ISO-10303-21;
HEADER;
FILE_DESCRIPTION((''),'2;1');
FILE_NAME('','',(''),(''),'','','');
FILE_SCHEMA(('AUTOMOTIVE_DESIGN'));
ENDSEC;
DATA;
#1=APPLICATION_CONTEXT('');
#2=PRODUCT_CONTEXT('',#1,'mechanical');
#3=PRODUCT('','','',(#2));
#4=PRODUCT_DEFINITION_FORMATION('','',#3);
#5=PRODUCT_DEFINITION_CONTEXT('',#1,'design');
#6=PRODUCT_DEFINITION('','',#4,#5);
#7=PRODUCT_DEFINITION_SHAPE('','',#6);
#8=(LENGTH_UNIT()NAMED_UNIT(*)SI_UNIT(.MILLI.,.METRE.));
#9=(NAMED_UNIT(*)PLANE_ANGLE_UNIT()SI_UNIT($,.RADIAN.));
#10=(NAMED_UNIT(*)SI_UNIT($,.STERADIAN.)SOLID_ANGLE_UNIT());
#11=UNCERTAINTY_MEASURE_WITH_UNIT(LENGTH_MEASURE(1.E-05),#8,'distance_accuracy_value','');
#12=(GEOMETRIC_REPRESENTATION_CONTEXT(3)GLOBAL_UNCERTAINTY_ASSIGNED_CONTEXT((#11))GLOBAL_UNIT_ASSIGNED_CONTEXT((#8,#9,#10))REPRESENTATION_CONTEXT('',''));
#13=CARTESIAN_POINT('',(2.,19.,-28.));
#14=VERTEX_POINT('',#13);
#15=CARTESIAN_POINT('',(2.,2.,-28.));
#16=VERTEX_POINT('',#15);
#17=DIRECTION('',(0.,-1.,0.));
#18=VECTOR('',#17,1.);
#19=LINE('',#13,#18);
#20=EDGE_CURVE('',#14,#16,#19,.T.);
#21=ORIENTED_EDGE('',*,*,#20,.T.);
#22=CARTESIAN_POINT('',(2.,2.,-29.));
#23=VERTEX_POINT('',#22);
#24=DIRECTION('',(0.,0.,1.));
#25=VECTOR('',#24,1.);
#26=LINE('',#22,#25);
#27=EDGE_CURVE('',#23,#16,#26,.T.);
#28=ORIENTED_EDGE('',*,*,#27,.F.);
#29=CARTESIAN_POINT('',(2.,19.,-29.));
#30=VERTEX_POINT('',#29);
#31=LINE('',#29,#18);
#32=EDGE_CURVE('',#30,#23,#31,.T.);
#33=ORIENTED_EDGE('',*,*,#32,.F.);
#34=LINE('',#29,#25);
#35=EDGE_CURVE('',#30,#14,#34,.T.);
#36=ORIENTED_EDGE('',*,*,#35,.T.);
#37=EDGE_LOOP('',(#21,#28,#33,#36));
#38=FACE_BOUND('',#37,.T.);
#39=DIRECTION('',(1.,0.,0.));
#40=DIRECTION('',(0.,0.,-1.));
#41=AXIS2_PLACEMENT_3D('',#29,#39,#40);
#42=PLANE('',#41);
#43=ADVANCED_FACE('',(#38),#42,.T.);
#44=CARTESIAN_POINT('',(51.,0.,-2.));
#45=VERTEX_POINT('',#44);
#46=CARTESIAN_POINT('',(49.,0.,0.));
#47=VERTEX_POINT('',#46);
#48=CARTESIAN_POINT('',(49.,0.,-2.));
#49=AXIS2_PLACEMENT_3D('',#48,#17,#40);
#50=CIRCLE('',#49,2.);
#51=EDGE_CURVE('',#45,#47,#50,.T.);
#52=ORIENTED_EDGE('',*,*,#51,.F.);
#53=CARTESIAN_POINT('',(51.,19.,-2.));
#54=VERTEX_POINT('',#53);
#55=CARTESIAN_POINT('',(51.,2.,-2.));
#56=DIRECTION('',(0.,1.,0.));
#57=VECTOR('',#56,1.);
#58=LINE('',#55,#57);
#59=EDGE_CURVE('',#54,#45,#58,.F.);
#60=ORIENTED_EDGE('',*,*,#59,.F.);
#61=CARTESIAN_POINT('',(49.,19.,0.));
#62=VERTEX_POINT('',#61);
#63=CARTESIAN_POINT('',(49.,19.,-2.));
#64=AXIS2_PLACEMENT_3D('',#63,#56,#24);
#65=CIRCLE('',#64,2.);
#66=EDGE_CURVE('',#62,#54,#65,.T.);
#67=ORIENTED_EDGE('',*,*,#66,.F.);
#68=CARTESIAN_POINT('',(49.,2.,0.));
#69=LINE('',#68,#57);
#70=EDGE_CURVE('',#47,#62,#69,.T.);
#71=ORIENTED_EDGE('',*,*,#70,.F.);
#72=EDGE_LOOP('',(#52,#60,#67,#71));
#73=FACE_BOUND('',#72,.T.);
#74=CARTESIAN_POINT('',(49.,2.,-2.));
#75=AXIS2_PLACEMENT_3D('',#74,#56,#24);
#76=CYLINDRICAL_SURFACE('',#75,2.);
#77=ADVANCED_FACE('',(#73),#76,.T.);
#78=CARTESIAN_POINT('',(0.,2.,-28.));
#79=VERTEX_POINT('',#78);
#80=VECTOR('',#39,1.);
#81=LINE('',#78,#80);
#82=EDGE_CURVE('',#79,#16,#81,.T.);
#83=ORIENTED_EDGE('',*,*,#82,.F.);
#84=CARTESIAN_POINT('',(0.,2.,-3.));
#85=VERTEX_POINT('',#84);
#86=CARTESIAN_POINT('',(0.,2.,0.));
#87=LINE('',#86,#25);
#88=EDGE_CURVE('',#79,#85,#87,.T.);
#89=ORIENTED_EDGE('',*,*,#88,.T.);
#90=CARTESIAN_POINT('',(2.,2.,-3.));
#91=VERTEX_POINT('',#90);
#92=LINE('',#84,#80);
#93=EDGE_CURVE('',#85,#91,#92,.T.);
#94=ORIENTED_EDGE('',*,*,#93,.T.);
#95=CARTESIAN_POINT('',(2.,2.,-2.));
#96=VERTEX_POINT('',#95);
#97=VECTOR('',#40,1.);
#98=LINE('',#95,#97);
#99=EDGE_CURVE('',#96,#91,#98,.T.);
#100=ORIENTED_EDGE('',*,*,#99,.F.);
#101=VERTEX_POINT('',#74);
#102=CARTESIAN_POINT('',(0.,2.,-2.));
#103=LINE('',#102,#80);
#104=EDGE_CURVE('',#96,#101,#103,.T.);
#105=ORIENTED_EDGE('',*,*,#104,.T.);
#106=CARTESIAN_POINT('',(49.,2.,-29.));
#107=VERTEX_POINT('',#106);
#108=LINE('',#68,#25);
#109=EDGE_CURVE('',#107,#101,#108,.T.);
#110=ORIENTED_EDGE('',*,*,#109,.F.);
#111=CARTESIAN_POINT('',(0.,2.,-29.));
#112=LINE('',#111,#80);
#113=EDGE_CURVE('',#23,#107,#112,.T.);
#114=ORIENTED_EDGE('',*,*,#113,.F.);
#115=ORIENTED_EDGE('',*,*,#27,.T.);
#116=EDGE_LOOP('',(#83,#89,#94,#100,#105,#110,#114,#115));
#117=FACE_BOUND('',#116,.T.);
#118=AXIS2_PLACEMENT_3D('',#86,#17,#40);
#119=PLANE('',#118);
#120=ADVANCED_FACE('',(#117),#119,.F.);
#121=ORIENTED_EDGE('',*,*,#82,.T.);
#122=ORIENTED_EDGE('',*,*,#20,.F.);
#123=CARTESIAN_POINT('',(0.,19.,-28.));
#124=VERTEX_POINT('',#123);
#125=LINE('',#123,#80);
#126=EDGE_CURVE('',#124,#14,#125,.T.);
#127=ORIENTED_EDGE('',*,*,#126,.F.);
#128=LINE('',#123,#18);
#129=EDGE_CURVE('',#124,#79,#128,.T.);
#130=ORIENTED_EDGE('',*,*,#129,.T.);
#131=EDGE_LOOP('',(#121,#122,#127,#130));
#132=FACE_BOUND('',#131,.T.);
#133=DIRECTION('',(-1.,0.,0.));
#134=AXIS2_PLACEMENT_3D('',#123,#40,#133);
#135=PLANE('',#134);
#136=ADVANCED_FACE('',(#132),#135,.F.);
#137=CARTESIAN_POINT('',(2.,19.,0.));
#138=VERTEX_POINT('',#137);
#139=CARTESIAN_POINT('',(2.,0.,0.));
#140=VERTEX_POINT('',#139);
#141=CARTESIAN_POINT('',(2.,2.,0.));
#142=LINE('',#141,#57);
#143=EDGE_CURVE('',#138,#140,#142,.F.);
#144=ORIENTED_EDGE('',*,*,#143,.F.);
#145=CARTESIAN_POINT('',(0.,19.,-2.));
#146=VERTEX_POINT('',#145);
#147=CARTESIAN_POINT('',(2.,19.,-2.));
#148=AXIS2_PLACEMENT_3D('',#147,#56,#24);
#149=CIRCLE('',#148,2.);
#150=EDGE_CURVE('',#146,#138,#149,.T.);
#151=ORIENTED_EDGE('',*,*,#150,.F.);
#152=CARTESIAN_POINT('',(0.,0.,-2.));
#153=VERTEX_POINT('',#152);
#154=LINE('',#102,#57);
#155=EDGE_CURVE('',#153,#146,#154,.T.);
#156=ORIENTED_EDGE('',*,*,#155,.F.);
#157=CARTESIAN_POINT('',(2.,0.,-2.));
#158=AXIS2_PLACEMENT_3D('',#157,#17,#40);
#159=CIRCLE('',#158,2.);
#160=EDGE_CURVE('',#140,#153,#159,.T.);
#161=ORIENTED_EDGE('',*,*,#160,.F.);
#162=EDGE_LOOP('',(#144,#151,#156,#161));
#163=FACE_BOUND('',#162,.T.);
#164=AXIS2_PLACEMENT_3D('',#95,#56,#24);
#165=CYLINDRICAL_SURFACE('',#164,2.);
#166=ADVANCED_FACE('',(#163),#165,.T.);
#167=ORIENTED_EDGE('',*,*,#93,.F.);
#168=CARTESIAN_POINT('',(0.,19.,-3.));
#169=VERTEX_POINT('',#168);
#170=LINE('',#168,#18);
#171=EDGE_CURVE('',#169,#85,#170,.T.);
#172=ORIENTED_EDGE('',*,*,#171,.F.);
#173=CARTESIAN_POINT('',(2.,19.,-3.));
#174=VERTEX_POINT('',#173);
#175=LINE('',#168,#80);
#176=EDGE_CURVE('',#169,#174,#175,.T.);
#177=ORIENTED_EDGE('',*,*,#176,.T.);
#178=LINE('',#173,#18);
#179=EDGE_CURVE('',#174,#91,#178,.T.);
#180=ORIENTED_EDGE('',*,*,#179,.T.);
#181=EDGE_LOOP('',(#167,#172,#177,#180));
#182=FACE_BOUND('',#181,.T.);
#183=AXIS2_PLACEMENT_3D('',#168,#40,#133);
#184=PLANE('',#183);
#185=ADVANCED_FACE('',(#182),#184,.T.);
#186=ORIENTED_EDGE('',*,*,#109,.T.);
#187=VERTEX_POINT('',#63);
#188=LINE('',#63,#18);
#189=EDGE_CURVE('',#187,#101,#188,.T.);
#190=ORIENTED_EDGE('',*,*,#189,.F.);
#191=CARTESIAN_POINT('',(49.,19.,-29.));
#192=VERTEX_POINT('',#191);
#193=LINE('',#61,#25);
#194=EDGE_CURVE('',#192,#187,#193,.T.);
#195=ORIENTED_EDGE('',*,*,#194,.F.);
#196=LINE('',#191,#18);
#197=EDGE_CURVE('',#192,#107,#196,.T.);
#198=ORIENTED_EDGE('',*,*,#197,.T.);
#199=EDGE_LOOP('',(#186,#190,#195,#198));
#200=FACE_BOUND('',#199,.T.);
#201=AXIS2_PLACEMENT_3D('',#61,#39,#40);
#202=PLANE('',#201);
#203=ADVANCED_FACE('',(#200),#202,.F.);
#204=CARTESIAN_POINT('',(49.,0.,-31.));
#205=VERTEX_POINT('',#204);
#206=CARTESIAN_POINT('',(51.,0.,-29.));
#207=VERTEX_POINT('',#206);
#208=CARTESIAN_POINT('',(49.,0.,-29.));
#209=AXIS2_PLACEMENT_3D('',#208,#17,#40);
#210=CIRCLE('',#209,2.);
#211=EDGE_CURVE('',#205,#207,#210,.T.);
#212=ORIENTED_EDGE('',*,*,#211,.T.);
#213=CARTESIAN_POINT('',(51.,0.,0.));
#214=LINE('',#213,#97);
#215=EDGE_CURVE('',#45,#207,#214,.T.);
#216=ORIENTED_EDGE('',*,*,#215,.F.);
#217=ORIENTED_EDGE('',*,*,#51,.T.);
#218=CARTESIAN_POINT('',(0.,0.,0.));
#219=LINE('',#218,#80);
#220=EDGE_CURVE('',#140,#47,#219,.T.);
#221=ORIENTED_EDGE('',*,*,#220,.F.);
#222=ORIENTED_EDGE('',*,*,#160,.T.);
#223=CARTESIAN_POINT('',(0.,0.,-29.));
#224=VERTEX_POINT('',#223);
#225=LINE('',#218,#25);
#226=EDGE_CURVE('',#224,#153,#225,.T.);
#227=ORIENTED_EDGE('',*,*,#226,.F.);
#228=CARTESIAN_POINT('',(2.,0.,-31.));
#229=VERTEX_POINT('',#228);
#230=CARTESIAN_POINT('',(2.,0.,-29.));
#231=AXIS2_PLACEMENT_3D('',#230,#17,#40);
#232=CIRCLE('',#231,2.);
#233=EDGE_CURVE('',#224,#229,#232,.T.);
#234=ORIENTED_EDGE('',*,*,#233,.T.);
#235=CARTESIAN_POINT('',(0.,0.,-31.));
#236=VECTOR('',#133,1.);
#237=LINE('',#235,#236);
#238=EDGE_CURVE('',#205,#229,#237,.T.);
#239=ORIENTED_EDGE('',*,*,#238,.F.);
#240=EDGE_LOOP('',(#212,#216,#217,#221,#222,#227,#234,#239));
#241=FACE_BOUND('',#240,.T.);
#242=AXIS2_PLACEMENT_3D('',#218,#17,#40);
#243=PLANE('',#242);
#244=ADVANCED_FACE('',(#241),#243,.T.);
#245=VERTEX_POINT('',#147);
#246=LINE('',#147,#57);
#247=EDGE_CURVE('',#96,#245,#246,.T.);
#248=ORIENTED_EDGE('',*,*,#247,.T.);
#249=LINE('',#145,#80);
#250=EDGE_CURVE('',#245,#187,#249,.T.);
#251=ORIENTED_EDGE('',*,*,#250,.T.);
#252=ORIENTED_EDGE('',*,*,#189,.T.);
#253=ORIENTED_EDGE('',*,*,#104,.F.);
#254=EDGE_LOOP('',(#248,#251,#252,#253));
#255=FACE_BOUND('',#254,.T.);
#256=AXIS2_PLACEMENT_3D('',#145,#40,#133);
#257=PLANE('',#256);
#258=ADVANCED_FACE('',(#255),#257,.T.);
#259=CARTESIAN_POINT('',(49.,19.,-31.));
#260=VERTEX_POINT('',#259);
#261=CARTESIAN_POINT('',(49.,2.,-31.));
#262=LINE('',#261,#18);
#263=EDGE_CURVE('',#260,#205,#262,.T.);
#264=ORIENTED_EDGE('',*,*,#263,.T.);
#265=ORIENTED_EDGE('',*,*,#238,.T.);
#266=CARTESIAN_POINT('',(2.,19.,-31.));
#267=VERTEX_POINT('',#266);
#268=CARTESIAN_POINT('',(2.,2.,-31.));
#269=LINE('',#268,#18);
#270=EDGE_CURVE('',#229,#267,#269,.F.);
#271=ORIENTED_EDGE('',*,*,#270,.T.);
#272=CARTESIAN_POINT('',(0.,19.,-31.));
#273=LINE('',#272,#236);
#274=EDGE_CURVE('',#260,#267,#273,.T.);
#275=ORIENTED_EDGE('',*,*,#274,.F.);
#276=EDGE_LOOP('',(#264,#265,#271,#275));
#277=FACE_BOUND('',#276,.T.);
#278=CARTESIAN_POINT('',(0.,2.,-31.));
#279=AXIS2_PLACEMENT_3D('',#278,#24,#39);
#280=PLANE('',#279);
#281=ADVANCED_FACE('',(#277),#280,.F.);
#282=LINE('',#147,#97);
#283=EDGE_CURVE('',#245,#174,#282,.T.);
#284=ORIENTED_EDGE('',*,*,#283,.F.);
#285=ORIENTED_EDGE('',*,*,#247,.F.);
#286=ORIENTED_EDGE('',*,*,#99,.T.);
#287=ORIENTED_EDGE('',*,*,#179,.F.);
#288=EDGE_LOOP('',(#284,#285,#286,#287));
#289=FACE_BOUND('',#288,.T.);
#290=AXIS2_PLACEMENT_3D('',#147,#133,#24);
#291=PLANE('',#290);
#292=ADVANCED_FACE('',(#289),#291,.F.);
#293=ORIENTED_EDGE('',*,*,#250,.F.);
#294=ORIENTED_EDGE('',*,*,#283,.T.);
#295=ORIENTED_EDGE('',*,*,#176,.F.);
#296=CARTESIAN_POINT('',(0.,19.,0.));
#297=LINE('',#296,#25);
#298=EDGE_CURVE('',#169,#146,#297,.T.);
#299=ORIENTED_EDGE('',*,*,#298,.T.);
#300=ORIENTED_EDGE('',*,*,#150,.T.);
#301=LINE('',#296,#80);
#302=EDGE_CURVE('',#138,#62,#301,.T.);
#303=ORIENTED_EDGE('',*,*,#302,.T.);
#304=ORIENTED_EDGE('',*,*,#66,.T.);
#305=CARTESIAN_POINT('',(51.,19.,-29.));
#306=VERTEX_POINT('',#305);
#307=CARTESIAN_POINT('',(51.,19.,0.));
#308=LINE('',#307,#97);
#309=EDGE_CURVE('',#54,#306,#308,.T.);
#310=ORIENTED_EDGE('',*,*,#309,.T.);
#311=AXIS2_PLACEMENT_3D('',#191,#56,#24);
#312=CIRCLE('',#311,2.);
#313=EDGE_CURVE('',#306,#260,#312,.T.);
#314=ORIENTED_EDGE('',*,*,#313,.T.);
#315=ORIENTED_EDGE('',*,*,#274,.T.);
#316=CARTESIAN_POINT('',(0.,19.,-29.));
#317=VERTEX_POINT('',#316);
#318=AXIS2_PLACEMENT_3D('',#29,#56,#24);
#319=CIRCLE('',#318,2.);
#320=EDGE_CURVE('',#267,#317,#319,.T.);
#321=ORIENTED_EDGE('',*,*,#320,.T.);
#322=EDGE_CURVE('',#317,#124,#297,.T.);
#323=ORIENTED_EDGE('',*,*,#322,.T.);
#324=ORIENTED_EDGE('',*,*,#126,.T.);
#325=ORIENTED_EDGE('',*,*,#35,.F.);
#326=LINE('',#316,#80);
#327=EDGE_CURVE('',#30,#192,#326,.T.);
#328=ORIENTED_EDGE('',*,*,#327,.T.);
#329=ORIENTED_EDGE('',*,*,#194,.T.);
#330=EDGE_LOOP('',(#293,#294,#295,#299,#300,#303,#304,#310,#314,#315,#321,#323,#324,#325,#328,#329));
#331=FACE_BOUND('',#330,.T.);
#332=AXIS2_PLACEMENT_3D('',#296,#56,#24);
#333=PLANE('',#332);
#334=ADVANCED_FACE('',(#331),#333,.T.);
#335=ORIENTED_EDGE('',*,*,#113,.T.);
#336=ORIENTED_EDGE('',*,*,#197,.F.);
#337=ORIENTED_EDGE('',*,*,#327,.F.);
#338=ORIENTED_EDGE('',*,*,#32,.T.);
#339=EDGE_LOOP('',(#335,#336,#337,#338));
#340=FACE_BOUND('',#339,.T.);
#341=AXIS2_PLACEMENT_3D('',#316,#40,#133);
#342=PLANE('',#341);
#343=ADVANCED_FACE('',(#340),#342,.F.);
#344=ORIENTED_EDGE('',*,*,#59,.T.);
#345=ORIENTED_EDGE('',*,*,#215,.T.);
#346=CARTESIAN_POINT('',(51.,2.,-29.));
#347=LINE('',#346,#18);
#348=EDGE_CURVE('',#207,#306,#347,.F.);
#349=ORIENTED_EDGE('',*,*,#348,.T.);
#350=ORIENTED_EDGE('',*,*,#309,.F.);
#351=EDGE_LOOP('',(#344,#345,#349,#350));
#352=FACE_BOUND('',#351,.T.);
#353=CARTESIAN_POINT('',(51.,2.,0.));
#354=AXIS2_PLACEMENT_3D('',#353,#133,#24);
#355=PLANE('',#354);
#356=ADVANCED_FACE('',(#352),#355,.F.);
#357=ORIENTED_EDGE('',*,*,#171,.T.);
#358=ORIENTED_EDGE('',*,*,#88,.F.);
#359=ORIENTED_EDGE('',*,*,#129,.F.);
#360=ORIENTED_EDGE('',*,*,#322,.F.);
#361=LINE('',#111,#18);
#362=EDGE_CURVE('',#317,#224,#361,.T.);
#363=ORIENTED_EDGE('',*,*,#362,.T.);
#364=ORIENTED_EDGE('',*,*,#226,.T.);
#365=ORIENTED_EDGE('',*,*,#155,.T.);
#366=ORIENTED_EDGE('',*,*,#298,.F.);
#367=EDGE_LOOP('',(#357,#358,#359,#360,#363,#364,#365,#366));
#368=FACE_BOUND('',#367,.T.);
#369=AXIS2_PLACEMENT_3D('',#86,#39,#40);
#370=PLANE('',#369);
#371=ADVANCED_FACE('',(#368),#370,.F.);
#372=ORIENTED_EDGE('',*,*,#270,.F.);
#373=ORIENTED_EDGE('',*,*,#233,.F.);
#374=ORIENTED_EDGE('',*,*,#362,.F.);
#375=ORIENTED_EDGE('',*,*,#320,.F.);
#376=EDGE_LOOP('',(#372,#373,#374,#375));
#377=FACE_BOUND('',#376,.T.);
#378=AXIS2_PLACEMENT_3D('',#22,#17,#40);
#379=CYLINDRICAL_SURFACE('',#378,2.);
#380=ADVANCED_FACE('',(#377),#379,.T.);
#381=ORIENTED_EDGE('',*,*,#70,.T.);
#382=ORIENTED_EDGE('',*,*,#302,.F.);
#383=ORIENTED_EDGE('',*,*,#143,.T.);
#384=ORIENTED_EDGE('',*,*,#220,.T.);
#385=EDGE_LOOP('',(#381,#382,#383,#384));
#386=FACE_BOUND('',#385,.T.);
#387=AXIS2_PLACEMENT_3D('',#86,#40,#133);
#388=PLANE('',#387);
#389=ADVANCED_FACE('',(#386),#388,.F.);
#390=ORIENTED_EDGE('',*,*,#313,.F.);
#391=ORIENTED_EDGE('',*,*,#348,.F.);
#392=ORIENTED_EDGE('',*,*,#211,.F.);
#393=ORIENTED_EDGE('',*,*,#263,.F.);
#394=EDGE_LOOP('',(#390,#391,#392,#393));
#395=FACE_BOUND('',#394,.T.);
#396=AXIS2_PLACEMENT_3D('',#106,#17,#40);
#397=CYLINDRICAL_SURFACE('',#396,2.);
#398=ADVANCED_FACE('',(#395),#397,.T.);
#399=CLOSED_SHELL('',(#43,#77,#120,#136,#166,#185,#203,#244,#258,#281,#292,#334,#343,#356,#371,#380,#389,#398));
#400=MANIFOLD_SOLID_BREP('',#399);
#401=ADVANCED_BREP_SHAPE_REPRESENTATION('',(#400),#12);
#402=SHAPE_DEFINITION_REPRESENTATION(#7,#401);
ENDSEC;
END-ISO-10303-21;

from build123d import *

# Parameters (mm, degrees)
SKETCH1_W           = 51
SKETCH1_H           = 31
BOSS_EXTRUDE1_DEPTH = 2
SKETCH2_W           = 2
SKETCH2_H           = 1
BOSS_EXTRUDE2_DEPTH = 17
FILLET3_R           = 2
FILLET4_R           = 2
FILLET5_R           = 2
FILLET6_R           = 2


with BuildPart() as part:
    # Sketch1 → Boss-Extrude1 (new body)
    with BuildSketch(Plane(origin=(0, 0, 0), x_dir=(1, 0, 0), z_dir=(0, 1, 0))):
        with Locations((25.5, 15.5)):
            Rectangle(SKETCH1_W, SKETCH1_H)
    extrude(amount=BOSS_EXTRUDE1_DEPTH)

    # Sketch2 → Boss-Extrude2 (add)
    with BuildSketch(Plane(origin=(0, 2, 0), x_dir=(1, 0, 0), z_dir=(0, 1, 0))):
        Polygon((49, 2), (49, 0), (51, 0), (51, 31), (49, 31), (49, 29), align=None)
        Polygon((0, 2), (0, 0), (49, 0), (49, 2), (2, 2), align=None)
        Polygon((2, 29), (49, 29), (49, 31), (0, 31), (0, 29), align=None)
        with Locations((1, 28.5)):
            Rectangle(SKETCH2_W, SKETCH2_H)
        with Locations((1, 2.5)):
            Rectangle(SKETCH2_W, SKETCH2_H)
    extrude(amount=BOSS_EXTRUDE2_DEPTH)

    # Fillet3
    fillet3_edges = [part.edges().sort_by_distance(p)[0] for p in [
        (51, 9.5, 0),
    ]]
    fillet(fillet3_edges, radius=FILLET3_R)

    # Fillet4
    fillet4_edges = [part.edges().sort_by_distance(p)[0] for p in [
        (51, 9.5, -31),
    ]]
    fillet(fillet4_edges, radius=FILLET4_R)

    # Fillet5
    fillet5_edges = [part.edges().sort_by_distance(p)[0] for p in [
        (0, 9.5, 0),
    ]]
    fillet(fillet5_edges, radius=FILLET5_R)

    # Fillet6
    fillet6_edges = [part.edges().sort_by_distance(p)[0] for p in [
        (0, 9.5, -31),
    ]]
    fillet(fillet6_edges, radius=FILLET6_R)


solid = part.part
